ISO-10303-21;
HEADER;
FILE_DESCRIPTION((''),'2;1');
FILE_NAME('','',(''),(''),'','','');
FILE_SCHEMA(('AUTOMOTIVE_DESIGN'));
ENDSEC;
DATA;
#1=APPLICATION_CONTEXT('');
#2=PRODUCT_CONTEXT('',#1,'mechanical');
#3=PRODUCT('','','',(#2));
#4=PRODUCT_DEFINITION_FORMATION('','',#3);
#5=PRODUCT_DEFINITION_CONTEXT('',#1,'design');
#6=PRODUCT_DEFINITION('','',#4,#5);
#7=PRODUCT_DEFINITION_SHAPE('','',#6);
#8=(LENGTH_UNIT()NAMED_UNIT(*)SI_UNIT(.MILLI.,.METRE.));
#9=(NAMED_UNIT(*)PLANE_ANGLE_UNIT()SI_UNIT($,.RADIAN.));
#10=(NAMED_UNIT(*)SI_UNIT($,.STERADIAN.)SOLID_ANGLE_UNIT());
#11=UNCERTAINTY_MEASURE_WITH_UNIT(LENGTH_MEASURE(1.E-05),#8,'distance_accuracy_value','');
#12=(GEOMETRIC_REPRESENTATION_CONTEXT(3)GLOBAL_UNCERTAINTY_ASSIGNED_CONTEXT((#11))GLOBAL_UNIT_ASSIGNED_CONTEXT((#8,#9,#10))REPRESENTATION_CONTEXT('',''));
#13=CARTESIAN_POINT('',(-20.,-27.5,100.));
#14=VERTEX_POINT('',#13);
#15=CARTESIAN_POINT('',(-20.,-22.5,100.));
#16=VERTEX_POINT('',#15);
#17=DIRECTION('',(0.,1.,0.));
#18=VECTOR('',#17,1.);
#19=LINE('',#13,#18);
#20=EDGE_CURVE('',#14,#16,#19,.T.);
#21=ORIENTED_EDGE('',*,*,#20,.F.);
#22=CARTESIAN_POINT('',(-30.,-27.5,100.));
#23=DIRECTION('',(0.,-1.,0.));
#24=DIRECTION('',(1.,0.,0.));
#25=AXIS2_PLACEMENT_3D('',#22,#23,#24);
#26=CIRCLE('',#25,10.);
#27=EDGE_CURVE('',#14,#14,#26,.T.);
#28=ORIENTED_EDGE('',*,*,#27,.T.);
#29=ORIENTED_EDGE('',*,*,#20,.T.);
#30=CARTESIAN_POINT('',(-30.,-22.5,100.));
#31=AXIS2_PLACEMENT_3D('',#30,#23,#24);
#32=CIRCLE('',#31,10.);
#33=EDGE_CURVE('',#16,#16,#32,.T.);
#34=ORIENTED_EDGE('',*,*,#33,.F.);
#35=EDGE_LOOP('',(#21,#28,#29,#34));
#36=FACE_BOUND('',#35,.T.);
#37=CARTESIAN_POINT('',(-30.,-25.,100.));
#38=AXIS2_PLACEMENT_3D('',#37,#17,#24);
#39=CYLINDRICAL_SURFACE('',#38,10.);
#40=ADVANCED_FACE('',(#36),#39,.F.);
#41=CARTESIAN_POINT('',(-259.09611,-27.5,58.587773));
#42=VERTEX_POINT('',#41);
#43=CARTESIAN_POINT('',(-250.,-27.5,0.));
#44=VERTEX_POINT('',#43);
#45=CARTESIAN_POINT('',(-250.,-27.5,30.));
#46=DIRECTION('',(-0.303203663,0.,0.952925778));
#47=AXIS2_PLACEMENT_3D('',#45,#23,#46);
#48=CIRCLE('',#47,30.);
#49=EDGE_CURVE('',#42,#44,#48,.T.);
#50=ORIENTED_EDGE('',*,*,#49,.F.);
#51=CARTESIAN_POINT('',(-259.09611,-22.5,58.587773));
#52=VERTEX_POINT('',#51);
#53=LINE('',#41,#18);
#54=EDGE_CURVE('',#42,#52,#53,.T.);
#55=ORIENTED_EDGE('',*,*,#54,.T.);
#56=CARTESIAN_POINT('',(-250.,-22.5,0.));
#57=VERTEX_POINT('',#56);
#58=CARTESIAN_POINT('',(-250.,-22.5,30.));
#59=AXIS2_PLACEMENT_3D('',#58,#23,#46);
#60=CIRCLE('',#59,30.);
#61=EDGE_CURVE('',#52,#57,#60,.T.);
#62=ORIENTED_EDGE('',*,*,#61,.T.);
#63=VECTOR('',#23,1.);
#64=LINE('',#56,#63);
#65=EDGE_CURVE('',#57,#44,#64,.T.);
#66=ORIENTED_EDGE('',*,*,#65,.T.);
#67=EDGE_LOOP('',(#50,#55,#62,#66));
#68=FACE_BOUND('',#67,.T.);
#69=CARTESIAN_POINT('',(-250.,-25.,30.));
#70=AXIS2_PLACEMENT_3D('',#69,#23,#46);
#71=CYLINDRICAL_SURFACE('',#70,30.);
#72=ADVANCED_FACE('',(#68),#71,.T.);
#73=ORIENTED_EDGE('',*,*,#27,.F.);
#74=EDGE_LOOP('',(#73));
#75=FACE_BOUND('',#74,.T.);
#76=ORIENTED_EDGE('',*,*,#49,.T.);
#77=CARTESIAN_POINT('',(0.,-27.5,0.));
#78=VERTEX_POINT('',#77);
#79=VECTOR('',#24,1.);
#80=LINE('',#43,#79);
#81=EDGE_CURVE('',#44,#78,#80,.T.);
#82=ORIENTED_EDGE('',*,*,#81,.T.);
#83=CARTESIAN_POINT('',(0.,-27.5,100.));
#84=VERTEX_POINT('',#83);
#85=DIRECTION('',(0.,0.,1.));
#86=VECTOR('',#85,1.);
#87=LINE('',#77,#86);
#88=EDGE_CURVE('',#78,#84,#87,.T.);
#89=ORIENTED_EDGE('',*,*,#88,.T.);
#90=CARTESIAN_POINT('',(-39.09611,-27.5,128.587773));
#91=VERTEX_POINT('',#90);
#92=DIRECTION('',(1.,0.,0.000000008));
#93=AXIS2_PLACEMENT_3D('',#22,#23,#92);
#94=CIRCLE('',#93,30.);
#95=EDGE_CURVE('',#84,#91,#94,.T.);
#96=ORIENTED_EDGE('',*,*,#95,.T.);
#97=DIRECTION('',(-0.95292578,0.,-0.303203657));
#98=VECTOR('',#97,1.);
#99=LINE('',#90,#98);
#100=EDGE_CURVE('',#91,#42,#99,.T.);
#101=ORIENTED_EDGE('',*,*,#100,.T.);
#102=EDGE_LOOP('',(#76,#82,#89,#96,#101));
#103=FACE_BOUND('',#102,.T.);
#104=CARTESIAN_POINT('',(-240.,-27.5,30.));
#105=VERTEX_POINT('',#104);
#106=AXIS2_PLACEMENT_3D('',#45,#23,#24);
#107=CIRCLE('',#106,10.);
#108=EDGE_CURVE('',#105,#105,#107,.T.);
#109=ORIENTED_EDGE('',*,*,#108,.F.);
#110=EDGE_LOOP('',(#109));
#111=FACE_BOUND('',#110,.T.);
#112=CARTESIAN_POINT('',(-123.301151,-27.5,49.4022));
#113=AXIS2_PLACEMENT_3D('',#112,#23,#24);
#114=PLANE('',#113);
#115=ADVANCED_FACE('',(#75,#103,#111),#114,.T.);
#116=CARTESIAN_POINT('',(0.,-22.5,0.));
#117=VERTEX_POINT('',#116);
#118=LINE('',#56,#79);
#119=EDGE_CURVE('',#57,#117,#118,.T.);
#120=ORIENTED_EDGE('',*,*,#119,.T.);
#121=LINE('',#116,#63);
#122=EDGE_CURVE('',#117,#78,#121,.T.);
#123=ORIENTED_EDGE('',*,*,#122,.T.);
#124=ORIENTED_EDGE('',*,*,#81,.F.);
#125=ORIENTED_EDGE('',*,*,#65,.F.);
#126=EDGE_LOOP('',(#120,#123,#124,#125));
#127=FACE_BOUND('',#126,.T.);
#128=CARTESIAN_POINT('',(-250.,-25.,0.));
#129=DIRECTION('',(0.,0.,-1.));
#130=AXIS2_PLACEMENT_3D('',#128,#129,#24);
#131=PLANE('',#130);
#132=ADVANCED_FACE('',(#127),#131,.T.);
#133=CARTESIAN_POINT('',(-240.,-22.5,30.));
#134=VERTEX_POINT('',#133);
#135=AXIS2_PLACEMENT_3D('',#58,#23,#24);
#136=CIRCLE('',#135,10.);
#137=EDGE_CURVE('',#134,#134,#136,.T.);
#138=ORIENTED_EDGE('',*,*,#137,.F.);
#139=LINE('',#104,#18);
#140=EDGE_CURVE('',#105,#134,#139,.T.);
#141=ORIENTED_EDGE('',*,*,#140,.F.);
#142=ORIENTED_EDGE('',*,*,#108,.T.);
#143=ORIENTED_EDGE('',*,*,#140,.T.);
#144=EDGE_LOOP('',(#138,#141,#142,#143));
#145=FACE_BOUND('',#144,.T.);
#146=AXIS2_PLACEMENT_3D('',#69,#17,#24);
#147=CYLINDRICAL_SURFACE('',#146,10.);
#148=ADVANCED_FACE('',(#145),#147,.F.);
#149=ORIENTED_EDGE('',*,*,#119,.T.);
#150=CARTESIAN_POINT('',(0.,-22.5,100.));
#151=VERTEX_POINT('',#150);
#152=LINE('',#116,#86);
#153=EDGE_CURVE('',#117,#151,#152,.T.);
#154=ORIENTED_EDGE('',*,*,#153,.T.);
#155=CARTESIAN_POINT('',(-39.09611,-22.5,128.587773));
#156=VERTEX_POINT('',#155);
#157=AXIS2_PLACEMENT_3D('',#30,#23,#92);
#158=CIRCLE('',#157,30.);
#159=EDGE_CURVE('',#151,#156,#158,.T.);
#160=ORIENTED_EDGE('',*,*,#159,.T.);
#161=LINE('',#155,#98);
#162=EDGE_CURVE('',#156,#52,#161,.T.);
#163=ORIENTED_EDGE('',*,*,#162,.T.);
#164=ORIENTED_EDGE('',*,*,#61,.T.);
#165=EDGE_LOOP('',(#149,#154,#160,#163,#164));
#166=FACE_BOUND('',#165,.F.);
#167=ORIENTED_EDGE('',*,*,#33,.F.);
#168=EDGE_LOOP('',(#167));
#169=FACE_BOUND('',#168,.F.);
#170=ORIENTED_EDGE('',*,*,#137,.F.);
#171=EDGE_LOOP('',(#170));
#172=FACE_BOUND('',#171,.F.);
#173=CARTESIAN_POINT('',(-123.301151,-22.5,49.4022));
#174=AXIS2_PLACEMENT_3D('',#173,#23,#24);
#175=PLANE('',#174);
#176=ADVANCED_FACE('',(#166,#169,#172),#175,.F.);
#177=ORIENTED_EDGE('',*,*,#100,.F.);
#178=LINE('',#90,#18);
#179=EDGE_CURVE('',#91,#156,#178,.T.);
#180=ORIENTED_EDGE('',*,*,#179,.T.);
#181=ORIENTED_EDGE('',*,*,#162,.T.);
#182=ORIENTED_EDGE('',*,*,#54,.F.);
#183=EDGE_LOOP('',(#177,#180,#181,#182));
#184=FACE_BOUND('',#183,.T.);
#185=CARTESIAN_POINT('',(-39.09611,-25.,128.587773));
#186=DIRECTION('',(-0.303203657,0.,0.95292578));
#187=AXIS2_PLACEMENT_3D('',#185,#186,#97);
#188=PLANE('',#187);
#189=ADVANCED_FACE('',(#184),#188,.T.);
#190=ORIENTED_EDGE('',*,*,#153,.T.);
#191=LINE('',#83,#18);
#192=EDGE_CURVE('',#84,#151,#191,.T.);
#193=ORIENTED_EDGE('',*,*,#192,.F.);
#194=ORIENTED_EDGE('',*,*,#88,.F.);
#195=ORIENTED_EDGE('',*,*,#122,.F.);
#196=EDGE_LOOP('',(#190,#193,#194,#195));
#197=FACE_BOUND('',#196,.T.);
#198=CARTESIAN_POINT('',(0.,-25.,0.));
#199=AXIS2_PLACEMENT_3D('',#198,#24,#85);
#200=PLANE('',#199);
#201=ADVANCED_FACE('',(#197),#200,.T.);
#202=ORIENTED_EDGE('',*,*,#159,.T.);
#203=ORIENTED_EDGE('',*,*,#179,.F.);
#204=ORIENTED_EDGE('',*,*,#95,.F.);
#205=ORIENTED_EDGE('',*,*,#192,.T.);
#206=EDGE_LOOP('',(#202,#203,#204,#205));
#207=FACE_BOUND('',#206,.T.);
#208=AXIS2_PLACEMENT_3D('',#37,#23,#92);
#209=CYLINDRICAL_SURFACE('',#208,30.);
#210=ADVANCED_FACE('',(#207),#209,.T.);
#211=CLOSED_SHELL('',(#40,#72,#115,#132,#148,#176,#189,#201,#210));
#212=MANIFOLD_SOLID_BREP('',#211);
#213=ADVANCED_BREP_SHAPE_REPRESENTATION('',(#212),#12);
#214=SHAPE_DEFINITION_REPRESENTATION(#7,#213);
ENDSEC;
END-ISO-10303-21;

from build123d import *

# Parameters (mm, degrees)
F1_R     = 10
F2_DEPTH = 2.5


with BuildPart() as f2:
    # F1 (on offset) → F2 (new body, symmetric)
    with BuildSketch(Plane.XZ.offset(25)):
        with BuildLine():
            ThreePointArc((-259.09611, 58.587773), (-279.644841, 25.397457), (-250, 0))
            Line((-250, 0), (0, 0))
            Line((0, 0), (0, 100))
            ThreePointArc((0, 100), (-12.292421, 124.216557), (-39.09611, 128.587773))
            Line((-39.09611, 128.587773), (-259.09611, 58.587773))
        make_face()
        with Locations((-250, 30)):
            Circle(F1_R, mode=Mode.SUBTRACT)
        with Locations((-30, 100)):
            Circle(F1_R, mode=Mode.SUBTRACT)
    extrude(amount=F2_DEPTH, both=True)


solid = f2.part
